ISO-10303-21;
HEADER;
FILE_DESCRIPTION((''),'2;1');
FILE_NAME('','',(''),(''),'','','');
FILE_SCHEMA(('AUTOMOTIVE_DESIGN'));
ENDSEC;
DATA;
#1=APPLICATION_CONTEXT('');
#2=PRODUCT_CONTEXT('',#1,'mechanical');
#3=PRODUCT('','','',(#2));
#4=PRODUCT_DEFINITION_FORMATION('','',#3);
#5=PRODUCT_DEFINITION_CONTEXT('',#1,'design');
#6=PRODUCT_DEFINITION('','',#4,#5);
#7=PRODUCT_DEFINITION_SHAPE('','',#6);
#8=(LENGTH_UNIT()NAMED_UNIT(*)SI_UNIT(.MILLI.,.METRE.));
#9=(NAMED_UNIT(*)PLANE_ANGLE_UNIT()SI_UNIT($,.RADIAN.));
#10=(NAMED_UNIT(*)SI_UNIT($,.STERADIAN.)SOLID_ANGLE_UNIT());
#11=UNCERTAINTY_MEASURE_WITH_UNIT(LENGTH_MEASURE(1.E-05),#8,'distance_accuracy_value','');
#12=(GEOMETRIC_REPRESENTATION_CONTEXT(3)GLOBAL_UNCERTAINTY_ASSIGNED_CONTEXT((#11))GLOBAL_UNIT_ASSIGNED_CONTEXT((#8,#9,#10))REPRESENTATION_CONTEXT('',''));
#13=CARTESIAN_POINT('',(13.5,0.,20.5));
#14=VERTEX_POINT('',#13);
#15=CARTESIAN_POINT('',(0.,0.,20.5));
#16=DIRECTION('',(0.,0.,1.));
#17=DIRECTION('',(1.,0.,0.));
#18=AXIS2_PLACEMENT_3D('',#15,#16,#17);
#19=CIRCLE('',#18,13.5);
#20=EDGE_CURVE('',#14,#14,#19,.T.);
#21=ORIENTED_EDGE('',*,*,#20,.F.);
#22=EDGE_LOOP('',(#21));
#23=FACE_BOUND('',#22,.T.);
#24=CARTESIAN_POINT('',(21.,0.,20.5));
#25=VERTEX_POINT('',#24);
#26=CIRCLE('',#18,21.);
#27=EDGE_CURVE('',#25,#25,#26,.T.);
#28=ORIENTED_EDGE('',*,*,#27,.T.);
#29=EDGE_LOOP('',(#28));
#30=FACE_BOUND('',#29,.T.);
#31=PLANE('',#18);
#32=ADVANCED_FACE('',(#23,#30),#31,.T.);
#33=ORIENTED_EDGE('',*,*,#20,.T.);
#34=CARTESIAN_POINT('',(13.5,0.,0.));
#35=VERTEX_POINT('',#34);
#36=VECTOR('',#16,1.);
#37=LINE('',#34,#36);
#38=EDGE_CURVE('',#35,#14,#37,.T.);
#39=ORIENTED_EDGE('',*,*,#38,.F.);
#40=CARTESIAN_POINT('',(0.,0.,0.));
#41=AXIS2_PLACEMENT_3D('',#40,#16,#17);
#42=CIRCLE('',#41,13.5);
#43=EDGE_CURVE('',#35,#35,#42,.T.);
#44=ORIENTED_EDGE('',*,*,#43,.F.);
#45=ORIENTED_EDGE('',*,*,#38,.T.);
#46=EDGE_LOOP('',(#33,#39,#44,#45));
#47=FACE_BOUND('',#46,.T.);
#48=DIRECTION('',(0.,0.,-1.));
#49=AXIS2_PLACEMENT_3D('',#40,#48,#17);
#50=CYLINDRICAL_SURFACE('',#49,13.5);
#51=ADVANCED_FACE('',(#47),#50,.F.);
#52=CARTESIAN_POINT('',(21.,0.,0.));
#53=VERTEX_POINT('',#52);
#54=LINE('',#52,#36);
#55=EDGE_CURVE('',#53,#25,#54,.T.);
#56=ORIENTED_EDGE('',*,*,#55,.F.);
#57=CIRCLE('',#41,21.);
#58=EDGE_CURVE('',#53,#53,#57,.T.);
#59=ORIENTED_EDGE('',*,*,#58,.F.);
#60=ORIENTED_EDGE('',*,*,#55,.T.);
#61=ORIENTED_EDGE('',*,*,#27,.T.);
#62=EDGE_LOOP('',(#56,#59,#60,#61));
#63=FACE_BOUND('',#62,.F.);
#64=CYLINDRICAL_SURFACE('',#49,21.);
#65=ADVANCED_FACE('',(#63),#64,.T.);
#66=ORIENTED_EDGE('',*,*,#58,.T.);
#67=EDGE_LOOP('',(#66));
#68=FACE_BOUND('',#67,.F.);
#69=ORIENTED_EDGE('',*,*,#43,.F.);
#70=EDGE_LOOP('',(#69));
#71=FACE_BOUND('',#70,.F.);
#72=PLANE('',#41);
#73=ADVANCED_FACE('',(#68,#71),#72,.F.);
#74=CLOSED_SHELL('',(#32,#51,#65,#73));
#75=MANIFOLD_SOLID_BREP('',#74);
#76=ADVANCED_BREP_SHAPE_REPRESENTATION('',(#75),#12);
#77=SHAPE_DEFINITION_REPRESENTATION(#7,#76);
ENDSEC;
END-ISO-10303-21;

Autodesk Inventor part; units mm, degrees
ref_plane "YZ Plane" through (0, 0, 0) normal (1, 0, 0) x (0, 1, 0)
ref_plane "XZ Plane" through (0, 0, 0) normal (0, 1, 0) x (-1, 0, 0)
ref_plane "XY Plane" through (0, 0, 0) normal (0, 0, 1) x (1, 0, 0)
sketch "Sketch1" plane through (0, 0, 0) normal (0, 0, 1) x (1, 0, 0)
  circle A0 centre (0, 0) radius 21
  circle A1 centre (0, 0) radius 13.5
  dimension "d0" = 42
  dimension "d1" = 7.5
extrude "Extrusion1" add sketch "Sketch1" along normal blind 20.5
properties part number "3"
